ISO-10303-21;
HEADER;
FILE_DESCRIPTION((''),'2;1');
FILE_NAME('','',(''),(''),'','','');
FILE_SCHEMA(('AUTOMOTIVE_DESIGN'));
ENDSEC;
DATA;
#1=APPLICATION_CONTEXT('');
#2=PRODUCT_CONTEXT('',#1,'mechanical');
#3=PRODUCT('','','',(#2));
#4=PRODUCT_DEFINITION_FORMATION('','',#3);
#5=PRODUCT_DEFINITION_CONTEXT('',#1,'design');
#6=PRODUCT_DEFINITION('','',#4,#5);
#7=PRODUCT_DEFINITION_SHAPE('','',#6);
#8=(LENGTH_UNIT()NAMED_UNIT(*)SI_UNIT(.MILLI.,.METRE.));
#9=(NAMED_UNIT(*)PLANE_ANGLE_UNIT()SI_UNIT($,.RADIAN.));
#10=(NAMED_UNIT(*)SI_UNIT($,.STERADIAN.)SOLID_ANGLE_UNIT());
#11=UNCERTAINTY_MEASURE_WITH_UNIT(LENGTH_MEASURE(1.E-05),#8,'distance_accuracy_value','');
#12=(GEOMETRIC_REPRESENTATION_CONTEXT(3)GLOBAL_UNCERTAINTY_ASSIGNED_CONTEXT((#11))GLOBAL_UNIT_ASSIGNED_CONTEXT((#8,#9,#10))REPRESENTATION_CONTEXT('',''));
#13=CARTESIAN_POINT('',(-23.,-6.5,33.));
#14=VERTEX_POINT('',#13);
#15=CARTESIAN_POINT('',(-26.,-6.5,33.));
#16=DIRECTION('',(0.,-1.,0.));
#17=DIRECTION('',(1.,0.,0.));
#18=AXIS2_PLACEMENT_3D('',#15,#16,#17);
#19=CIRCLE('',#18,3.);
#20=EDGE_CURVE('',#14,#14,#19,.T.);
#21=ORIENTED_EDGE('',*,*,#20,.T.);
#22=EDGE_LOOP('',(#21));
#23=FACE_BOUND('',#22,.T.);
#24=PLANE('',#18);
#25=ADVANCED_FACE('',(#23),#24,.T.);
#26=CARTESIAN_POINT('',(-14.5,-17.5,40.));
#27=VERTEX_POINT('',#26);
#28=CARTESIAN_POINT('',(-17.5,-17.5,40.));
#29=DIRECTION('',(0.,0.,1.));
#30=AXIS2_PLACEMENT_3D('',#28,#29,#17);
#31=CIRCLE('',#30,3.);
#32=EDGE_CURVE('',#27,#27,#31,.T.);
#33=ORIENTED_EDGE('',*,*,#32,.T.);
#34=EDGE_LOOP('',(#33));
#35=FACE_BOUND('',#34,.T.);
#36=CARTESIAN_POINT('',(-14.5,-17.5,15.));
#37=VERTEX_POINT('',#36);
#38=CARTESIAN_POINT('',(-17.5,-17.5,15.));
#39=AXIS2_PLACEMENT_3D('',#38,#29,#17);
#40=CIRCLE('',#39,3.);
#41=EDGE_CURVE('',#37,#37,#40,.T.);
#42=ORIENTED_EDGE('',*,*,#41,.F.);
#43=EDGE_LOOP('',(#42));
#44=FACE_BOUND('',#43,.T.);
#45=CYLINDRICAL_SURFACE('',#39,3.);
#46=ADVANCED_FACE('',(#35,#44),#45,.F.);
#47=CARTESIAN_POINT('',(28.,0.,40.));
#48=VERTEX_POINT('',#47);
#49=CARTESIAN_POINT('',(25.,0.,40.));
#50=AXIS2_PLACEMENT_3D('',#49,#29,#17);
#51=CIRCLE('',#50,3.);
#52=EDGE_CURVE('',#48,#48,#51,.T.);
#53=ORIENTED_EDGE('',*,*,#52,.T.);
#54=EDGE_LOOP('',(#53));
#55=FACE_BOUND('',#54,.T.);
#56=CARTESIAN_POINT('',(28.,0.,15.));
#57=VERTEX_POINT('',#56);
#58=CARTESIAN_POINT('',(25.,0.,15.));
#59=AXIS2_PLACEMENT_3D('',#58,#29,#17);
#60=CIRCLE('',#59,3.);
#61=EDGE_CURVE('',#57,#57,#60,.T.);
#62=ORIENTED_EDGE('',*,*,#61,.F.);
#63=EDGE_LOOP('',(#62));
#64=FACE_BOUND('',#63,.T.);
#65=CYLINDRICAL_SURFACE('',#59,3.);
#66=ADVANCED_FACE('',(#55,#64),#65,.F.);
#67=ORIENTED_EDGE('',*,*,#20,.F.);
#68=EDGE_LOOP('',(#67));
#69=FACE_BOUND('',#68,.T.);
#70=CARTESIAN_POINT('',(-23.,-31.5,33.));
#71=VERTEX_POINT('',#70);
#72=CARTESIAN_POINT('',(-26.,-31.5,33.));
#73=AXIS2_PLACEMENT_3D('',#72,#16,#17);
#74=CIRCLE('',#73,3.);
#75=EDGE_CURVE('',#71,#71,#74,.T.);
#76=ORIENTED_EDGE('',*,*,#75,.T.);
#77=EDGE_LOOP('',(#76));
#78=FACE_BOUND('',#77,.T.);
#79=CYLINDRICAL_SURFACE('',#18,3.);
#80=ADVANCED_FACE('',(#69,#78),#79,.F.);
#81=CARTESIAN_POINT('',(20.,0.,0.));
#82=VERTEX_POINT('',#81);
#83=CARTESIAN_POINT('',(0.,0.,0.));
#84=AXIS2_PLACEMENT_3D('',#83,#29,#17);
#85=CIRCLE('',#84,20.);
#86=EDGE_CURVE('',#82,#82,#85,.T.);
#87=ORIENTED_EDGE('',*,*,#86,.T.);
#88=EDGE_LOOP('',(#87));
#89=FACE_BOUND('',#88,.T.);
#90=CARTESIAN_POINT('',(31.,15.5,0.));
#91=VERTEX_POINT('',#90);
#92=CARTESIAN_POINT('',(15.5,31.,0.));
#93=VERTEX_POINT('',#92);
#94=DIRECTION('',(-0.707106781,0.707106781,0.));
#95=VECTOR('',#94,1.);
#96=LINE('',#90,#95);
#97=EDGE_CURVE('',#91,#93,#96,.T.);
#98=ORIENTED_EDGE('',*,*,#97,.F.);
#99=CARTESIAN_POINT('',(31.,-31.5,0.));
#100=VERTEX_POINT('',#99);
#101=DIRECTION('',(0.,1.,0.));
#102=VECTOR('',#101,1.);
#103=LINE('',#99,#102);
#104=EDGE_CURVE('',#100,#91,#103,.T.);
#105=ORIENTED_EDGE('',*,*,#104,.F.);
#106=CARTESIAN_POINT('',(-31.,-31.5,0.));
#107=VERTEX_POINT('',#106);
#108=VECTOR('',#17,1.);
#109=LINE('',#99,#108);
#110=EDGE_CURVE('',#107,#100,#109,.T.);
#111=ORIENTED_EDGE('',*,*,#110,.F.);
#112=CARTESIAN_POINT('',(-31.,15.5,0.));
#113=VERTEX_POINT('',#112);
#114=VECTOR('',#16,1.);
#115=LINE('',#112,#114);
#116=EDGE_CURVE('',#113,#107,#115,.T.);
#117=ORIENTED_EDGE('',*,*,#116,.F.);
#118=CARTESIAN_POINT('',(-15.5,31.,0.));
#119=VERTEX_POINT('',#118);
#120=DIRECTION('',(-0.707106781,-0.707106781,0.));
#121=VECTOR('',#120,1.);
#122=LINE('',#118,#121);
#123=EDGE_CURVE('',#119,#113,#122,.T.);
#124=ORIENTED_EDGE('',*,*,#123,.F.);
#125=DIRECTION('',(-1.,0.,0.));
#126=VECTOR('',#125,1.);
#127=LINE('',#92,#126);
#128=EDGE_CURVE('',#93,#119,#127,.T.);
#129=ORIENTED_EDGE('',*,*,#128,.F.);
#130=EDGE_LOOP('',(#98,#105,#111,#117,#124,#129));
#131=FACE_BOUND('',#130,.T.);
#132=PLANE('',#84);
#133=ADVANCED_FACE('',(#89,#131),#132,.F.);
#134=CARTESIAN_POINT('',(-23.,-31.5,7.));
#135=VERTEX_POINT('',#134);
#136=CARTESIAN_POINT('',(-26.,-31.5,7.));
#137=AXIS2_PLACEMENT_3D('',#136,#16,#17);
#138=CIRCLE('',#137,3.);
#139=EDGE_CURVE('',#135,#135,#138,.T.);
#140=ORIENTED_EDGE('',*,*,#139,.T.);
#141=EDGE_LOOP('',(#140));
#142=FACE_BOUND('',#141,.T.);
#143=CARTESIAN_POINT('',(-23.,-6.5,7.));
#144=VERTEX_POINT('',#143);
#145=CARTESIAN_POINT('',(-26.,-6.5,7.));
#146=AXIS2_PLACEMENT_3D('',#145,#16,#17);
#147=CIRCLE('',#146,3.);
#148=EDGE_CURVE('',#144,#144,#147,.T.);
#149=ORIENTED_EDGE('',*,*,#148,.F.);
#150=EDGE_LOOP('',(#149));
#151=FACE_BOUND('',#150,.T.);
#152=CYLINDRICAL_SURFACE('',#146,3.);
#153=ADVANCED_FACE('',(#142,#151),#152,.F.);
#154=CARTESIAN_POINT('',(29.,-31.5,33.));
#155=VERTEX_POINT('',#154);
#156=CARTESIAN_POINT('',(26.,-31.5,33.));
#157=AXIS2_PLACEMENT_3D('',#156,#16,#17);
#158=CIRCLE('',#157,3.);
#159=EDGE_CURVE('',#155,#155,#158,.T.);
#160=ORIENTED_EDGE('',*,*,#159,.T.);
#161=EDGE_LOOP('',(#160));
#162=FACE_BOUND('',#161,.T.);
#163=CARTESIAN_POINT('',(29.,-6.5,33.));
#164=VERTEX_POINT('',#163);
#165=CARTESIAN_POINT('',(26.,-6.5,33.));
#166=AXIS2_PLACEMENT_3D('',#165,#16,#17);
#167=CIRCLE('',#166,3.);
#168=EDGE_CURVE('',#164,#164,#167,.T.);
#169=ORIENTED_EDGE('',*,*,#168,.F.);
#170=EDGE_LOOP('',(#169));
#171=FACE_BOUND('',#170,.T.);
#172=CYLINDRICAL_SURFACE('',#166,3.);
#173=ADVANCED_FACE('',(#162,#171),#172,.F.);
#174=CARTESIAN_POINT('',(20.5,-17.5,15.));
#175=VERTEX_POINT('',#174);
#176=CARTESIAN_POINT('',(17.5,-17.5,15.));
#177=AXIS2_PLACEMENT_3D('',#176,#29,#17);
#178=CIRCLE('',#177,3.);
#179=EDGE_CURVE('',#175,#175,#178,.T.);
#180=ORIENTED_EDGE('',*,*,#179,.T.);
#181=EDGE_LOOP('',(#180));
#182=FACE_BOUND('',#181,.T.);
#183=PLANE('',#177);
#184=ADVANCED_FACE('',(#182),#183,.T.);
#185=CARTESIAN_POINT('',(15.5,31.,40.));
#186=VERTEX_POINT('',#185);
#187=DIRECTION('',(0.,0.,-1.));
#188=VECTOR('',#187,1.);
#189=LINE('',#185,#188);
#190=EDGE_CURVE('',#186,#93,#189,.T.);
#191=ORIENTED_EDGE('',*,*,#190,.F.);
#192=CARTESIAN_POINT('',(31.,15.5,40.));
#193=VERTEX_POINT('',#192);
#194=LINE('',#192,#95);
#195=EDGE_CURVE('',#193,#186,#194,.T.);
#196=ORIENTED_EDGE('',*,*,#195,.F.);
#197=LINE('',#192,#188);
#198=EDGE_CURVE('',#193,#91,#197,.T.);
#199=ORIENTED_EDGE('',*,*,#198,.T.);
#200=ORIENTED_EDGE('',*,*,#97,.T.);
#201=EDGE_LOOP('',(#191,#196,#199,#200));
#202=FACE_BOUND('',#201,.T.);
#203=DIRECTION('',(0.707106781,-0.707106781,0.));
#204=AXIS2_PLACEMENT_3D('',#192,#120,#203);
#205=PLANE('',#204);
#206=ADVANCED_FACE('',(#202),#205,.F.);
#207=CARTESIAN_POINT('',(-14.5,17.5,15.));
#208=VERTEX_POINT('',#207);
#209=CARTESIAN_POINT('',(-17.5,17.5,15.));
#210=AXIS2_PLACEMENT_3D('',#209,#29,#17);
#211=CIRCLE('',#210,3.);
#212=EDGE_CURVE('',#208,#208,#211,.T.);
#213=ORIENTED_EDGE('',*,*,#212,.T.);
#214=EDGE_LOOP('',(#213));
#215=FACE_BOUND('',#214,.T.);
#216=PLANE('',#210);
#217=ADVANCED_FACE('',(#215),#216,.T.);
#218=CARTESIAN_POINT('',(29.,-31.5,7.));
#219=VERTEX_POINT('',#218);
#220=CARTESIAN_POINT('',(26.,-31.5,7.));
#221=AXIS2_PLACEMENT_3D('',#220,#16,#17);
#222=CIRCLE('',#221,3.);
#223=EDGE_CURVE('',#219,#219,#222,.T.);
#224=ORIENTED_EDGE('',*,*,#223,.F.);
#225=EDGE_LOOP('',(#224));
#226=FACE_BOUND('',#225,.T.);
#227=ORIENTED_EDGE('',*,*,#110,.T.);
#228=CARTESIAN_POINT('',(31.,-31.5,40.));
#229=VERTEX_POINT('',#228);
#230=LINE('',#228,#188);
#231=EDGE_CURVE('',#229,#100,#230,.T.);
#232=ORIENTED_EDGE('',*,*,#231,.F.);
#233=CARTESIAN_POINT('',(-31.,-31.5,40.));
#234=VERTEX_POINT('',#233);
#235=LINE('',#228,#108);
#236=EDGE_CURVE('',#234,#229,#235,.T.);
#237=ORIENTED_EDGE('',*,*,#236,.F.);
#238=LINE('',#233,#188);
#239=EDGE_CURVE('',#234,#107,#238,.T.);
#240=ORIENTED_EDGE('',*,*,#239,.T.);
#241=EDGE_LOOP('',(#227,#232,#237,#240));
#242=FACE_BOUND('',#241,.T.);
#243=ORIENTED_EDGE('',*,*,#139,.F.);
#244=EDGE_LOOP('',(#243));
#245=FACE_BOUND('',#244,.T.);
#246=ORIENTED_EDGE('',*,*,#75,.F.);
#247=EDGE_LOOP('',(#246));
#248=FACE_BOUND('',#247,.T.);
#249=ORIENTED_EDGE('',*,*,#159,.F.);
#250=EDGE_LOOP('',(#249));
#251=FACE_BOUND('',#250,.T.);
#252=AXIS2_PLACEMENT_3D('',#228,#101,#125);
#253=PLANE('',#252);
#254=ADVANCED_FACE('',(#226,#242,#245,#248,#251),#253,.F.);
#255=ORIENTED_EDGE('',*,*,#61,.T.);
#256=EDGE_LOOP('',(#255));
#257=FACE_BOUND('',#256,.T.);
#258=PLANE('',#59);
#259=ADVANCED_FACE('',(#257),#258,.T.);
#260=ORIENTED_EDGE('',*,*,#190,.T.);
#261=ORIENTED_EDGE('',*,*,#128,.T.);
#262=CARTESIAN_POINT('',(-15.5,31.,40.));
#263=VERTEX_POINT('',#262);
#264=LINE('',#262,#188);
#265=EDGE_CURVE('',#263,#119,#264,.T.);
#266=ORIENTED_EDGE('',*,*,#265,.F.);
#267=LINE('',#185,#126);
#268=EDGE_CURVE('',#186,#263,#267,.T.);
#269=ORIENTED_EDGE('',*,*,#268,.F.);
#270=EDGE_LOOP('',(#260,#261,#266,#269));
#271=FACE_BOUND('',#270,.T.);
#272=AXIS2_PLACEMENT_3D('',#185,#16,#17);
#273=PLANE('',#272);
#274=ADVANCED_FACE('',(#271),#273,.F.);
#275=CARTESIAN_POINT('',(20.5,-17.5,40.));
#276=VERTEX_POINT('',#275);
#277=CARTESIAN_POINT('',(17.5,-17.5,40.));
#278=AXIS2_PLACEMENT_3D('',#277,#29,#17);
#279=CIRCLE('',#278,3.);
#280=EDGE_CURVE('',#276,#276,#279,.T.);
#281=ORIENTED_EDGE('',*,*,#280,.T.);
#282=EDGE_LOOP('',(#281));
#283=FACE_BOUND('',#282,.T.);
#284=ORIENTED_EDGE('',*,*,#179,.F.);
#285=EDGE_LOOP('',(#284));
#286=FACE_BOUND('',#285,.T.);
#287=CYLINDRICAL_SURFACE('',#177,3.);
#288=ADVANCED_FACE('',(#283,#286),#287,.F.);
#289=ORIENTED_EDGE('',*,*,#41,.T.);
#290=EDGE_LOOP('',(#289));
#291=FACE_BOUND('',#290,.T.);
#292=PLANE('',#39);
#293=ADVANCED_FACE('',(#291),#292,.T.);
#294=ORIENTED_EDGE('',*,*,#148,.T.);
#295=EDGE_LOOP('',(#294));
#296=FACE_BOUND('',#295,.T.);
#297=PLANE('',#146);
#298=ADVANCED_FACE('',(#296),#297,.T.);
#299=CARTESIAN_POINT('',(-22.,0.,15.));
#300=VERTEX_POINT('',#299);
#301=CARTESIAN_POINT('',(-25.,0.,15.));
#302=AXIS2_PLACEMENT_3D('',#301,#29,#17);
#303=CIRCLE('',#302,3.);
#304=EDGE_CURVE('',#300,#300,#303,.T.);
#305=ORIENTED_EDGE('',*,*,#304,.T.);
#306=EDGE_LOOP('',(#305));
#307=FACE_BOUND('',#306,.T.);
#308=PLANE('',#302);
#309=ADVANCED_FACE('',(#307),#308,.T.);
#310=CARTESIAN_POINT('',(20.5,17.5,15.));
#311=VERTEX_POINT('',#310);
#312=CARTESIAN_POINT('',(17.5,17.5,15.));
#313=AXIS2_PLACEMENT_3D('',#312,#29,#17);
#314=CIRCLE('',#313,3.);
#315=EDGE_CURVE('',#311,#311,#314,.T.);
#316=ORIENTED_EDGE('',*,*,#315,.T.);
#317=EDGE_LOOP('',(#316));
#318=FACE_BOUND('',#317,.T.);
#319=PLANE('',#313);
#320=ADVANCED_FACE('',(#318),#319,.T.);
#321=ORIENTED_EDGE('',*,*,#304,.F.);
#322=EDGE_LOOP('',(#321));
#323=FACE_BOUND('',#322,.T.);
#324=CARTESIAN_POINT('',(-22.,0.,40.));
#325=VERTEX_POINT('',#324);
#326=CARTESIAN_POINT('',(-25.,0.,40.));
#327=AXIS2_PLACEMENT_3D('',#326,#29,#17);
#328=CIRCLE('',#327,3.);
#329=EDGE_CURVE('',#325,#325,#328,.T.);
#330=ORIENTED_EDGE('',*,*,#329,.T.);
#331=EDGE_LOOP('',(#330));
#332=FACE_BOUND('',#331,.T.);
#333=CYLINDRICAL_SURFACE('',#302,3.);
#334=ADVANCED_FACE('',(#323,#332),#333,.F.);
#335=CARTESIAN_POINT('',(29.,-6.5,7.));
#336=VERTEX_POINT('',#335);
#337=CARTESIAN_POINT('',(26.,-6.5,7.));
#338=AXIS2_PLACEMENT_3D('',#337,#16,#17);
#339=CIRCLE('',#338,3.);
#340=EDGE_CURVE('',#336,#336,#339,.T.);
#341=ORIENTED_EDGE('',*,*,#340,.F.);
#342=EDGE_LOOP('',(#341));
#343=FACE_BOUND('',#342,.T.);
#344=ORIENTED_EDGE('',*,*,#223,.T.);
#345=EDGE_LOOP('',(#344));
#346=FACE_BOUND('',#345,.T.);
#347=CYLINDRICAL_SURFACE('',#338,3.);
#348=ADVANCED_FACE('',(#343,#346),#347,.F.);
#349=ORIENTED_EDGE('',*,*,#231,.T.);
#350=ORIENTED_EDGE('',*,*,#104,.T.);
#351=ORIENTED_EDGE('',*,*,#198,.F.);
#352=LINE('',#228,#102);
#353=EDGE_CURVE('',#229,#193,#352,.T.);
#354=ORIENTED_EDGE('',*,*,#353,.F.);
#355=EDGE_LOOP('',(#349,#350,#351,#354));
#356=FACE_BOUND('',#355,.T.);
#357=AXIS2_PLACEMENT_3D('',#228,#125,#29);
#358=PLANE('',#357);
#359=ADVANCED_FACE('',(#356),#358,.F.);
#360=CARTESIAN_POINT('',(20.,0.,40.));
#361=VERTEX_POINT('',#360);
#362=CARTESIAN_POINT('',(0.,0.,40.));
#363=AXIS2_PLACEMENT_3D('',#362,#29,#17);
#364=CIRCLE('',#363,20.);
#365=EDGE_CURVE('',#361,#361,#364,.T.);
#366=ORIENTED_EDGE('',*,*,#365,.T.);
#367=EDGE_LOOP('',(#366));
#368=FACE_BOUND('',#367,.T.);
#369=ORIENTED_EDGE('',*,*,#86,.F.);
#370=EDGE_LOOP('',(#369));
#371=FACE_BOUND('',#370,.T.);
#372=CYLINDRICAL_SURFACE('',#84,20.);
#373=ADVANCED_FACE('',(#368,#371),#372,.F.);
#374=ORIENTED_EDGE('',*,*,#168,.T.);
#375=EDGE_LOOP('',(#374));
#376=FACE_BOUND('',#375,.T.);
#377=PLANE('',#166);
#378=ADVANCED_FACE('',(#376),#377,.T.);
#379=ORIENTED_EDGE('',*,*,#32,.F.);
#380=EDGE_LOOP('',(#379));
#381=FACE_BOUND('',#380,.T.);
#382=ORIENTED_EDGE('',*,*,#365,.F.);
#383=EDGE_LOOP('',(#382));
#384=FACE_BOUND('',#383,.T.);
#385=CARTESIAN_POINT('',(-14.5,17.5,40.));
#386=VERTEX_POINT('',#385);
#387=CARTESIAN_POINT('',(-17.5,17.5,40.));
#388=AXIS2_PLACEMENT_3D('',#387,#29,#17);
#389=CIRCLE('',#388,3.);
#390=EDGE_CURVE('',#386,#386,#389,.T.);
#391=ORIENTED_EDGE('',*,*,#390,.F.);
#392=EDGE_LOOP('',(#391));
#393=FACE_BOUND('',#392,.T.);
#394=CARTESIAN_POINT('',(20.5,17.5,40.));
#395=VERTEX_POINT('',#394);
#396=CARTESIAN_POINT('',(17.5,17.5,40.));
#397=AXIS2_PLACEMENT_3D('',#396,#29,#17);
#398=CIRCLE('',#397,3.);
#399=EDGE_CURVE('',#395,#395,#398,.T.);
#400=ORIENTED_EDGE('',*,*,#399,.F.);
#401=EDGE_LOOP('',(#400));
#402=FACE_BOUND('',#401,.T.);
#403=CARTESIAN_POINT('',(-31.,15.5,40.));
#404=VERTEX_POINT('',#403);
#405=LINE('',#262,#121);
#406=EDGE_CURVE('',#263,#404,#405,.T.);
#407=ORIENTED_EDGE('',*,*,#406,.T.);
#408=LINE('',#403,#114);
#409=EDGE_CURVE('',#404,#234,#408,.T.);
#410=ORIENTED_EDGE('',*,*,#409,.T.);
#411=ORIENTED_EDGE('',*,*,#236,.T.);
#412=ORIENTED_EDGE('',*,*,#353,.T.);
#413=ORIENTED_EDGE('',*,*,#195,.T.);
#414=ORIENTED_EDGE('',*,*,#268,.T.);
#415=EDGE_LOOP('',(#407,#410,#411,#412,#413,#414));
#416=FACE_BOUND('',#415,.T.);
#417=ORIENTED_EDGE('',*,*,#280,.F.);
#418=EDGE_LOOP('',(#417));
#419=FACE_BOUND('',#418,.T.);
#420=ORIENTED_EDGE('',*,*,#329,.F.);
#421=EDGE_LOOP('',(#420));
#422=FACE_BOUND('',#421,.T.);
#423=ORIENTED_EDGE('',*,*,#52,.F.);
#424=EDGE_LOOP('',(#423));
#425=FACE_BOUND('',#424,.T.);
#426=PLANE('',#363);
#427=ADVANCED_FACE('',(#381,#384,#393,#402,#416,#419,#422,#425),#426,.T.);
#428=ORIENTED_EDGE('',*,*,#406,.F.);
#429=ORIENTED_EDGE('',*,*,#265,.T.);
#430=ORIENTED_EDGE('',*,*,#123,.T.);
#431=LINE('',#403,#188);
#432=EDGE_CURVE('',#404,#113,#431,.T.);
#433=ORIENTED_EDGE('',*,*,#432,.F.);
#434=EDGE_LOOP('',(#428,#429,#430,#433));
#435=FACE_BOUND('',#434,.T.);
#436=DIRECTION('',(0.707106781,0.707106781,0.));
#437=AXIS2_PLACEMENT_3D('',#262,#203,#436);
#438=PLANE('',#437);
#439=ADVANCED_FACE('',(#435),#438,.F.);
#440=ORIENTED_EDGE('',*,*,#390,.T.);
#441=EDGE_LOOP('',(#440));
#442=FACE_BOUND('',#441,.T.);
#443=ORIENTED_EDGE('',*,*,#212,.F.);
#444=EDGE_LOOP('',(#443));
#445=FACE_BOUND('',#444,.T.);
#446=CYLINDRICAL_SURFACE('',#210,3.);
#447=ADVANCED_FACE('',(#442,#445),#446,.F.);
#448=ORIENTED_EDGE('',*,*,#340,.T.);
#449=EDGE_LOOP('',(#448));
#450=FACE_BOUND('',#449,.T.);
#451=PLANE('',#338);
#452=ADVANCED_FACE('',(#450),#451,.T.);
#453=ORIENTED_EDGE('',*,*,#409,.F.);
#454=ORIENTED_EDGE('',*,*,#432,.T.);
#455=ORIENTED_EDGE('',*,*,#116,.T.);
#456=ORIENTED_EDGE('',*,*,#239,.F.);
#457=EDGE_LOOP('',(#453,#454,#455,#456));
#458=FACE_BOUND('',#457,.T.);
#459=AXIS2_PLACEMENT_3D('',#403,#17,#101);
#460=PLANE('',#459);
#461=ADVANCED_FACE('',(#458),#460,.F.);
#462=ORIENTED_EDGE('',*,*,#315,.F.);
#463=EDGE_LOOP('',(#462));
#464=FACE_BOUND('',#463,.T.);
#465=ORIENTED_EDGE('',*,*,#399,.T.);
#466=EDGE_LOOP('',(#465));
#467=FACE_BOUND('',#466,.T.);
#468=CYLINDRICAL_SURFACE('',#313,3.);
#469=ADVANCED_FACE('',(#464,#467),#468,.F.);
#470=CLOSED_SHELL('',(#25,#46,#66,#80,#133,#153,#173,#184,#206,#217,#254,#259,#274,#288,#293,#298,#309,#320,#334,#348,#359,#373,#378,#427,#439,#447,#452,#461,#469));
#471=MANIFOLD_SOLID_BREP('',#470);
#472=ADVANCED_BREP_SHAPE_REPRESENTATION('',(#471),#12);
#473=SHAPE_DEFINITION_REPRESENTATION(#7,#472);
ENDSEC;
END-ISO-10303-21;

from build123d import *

# Parameters (mm, degrees)
DODANIE_WYCI_GNI_CIE1_DEPTH = 40
SZKIC2_R                    = 20
WYTNIJ_WYCI_GNI_CIE1_DEPTH  = 40
SZKIC4_R                    = 3
WYTNIJ_WYCI_GNI_CIE2_DEPTH  = 25
SZKIC5_R                    = 3
WYTNIJ_WYCI_GNI_CIE4_DEPTH  = 25


with BuildPart() as part:
    # Szkic1 → Dodanie-wyciągnięcie1 (new body)
    with BuildSketch(Plane.XY):
        Polygon((31, -31.5), (31, 15.5), (15.5, 31), (-15.5, 31), (-31, 15.5), (-31, -31.5), align=None)
    extrude(amount=DODANIE_WYCI_GNI_CIE1_DEPTH)

    # Szkic2 → Wytnij-wyciągnięcie1 (cut)
    with BuildSketch(Plane.XY.offset(40)):
        Circle(SZKIC2_R)
    extrude(amount=-WYTNIJ_WYCI_GNI_CIE1_DEPTH, mode=Mode.SUBTRACT)

    # Szkic4 → Wytnij-wyciągnięcie2 (cut)
    with BuildSketch(Plane.XY.offset(40)):
        with Locations((17.5, -17.5)):
            Circle(SZKIC4_R)
        with Locations((25, 0)):
            Circle(SZKIC4_R)
        with Locations((17.5, 17.5)):
            Circle(SZKIC4_R)
        with Locations((-25, 0)):
            Circle(SZKIC4_R)
        with Locations((-17.5, 17.5)):
            Circle(SZKIC4_R)
        with Locations((-17.5, -17.5)):
            Circle(SZKIC4_R)
    extrude(amount=-WYTNIJ_WYCI_GNI_CIE2_DEPTH, mode=Mode.SUBTRACT)

    # Szkic5 → Wytnij-wyciągnięcie4 (cut)
    with BuildSketch(Plane.XZ.offset(31.5)):
        with Locations((-26, 33)):
            Circle(SZKIC5_R)
        with Locations((-26, 7)):
            Circle(SZKIC5_R)
        with Locations((26, 33)):
            Circle(SZKIC5_R)
        with Locations((26, 7)):
            Circle(SZKIC5_R)
    extrude(amount=-WYTNIJ_WYCI_GNI_CIE4_DEPTH, mode=Mode.SUBTRACT)


solid = part.part
